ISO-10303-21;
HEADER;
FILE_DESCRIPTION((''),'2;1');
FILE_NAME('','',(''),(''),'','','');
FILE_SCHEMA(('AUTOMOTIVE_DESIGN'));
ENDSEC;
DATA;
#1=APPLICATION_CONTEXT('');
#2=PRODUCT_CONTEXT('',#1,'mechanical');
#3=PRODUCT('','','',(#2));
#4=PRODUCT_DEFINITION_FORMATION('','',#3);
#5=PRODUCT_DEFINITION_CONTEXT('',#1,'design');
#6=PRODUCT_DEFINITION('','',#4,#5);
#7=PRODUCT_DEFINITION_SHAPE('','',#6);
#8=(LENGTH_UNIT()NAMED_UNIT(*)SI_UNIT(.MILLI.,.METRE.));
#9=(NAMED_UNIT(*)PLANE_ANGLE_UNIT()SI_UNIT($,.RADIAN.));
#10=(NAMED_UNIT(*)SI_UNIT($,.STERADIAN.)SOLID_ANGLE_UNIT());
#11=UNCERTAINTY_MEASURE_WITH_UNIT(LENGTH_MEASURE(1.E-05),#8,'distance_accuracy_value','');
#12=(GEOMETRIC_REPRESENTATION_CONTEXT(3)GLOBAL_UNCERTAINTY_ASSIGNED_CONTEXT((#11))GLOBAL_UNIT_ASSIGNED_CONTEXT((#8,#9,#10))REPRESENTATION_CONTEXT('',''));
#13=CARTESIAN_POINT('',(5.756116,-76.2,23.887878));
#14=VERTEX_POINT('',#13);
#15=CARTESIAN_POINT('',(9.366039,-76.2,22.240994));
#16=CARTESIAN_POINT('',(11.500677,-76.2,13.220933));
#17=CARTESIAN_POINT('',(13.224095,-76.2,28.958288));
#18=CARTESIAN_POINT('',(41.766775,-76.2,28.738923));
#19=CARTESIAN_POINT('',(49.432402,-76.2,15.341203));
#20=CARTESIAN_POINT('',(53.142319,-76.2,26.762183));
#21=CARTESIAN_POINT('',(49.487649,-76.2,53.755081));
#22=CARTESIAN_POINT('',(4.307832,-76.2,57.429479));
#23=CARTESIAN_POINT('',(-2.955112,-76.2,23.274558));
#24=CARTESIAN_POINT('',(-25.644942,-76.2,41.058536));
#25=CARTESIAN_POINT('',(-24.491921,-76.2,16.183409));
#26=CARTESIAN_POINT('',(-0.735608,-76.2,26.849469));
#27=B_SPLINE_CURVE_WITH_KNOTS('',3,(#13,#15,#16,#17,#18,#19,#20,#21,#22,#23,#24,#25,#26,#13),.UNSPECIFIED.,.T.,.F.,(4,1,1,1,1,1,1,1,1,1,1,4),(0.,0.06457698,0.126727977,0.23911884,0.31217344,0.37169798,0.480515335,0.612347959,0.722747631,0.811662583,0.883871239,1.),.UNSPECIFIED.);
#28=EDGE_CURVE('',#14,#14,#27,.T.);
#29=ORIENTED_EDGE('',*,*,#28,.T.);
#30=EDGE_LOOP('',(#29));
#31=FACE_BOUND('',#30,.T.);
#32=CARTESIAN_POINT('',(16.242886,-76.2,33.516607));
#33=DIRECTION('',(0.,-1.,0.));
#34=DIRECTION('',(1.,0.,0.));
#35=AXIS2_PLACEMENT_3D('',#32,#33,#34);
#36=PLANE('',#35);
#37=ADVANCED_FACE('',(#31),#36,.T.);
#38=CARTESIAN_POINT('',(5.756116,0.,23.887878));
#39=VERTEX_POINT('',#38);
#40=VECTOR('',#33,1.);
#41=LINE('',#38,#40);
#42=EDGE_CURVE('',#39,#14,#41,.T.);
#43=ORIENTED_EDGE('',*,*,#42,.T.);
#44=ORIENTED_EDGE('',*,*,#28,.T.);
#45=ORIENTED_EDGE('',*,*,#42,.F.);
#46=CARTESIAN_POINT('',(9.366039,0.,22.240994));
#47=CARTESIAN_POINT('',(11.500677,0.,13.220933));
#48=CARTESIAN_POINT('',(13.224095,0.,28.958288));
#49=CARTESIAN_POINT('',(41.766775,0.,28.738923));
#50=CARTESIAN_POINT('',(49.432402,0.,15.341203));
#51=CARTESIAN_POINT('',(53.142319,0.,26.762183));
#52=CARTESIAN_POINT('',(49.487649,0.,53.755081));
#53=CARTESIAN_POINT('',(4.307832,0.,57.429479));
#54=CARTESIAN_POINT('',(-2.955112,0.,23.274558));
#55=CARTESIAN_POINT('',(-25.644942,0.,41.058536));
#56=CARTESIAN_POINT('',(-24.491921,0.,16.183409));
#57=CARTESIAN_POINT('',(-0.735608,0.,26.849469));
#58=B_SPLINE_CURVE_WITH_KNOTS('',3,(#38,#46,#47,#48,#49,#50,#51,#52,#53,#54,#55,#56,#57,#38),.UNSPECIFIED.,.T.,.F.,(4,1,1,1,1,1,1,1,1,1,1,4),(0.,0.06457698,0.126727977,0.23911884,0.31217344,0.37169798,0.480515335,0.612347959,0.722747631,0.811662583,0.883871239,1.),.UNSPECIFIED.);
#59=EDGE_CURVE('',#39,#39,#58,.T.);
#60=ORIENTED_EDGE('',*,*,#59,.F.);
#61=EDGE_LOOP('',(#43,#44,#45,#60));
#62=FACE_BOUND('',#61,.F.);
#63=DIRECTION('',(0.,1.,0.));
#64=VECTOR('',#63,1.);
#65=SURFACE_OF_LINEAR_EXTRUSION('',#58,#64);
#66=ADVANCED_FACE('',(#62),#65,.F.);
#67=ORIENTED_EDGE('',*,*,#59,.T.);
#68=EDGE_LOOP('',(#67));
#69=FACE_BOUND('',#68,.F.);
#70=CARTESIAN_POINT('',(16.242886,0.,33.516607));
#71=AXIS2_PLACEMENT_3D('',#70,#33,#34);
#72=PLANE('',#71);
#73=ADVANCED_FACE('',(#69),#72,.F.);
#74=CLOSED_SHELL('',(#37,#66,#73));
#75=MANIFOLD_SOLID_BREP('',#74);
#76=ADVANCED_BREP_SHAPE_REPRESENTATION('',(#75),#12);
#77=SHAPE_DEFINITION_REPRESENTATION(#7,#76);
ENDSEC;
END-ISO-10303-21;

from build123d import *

# Parameters (mm, degrees)
F1_DEPTH = 76.2


with BuildPart() as f1:
    # F0 (on Front) → F1 (new body)
    with BuildSketch(Plane.XZ):
        with BuildLine():
            add(Edge.make_bspline(
                [(5.7561155409, 23.8878782839), (9.3660388105, 22.2409942159), (11.5006765544, 13.2209334502), (13.2240947263, 28.958287674), (41.766774837, 28.7389233424), (49.4324024163, 15.3412028564), (53.1423194241, 26.762182534), (49.4876492611, 53.7550814756), (4.307831753, 57.4294788778), (-2.9551121192, 23.2745578646), (-25.6449424507, 41.0585355888), (-24.4919208328, 16.1834092632), (-0.7356082097, 26.849469326), (5.7561155409, 23.8878782839)],
                knots=[0, 0, 0, 0, 0.0645769803, 0.1267279769, 0.2391188395, 0.3121734403, 0.3716979801, 0.4805153355, 0.6123479588, 0.7227476314, 0.8116625826, 0.883871239, 1, 1, 1, 1], degree=3))
        make_face()
    extrude(amount=F1_DEPTH)


solid = f1.part
